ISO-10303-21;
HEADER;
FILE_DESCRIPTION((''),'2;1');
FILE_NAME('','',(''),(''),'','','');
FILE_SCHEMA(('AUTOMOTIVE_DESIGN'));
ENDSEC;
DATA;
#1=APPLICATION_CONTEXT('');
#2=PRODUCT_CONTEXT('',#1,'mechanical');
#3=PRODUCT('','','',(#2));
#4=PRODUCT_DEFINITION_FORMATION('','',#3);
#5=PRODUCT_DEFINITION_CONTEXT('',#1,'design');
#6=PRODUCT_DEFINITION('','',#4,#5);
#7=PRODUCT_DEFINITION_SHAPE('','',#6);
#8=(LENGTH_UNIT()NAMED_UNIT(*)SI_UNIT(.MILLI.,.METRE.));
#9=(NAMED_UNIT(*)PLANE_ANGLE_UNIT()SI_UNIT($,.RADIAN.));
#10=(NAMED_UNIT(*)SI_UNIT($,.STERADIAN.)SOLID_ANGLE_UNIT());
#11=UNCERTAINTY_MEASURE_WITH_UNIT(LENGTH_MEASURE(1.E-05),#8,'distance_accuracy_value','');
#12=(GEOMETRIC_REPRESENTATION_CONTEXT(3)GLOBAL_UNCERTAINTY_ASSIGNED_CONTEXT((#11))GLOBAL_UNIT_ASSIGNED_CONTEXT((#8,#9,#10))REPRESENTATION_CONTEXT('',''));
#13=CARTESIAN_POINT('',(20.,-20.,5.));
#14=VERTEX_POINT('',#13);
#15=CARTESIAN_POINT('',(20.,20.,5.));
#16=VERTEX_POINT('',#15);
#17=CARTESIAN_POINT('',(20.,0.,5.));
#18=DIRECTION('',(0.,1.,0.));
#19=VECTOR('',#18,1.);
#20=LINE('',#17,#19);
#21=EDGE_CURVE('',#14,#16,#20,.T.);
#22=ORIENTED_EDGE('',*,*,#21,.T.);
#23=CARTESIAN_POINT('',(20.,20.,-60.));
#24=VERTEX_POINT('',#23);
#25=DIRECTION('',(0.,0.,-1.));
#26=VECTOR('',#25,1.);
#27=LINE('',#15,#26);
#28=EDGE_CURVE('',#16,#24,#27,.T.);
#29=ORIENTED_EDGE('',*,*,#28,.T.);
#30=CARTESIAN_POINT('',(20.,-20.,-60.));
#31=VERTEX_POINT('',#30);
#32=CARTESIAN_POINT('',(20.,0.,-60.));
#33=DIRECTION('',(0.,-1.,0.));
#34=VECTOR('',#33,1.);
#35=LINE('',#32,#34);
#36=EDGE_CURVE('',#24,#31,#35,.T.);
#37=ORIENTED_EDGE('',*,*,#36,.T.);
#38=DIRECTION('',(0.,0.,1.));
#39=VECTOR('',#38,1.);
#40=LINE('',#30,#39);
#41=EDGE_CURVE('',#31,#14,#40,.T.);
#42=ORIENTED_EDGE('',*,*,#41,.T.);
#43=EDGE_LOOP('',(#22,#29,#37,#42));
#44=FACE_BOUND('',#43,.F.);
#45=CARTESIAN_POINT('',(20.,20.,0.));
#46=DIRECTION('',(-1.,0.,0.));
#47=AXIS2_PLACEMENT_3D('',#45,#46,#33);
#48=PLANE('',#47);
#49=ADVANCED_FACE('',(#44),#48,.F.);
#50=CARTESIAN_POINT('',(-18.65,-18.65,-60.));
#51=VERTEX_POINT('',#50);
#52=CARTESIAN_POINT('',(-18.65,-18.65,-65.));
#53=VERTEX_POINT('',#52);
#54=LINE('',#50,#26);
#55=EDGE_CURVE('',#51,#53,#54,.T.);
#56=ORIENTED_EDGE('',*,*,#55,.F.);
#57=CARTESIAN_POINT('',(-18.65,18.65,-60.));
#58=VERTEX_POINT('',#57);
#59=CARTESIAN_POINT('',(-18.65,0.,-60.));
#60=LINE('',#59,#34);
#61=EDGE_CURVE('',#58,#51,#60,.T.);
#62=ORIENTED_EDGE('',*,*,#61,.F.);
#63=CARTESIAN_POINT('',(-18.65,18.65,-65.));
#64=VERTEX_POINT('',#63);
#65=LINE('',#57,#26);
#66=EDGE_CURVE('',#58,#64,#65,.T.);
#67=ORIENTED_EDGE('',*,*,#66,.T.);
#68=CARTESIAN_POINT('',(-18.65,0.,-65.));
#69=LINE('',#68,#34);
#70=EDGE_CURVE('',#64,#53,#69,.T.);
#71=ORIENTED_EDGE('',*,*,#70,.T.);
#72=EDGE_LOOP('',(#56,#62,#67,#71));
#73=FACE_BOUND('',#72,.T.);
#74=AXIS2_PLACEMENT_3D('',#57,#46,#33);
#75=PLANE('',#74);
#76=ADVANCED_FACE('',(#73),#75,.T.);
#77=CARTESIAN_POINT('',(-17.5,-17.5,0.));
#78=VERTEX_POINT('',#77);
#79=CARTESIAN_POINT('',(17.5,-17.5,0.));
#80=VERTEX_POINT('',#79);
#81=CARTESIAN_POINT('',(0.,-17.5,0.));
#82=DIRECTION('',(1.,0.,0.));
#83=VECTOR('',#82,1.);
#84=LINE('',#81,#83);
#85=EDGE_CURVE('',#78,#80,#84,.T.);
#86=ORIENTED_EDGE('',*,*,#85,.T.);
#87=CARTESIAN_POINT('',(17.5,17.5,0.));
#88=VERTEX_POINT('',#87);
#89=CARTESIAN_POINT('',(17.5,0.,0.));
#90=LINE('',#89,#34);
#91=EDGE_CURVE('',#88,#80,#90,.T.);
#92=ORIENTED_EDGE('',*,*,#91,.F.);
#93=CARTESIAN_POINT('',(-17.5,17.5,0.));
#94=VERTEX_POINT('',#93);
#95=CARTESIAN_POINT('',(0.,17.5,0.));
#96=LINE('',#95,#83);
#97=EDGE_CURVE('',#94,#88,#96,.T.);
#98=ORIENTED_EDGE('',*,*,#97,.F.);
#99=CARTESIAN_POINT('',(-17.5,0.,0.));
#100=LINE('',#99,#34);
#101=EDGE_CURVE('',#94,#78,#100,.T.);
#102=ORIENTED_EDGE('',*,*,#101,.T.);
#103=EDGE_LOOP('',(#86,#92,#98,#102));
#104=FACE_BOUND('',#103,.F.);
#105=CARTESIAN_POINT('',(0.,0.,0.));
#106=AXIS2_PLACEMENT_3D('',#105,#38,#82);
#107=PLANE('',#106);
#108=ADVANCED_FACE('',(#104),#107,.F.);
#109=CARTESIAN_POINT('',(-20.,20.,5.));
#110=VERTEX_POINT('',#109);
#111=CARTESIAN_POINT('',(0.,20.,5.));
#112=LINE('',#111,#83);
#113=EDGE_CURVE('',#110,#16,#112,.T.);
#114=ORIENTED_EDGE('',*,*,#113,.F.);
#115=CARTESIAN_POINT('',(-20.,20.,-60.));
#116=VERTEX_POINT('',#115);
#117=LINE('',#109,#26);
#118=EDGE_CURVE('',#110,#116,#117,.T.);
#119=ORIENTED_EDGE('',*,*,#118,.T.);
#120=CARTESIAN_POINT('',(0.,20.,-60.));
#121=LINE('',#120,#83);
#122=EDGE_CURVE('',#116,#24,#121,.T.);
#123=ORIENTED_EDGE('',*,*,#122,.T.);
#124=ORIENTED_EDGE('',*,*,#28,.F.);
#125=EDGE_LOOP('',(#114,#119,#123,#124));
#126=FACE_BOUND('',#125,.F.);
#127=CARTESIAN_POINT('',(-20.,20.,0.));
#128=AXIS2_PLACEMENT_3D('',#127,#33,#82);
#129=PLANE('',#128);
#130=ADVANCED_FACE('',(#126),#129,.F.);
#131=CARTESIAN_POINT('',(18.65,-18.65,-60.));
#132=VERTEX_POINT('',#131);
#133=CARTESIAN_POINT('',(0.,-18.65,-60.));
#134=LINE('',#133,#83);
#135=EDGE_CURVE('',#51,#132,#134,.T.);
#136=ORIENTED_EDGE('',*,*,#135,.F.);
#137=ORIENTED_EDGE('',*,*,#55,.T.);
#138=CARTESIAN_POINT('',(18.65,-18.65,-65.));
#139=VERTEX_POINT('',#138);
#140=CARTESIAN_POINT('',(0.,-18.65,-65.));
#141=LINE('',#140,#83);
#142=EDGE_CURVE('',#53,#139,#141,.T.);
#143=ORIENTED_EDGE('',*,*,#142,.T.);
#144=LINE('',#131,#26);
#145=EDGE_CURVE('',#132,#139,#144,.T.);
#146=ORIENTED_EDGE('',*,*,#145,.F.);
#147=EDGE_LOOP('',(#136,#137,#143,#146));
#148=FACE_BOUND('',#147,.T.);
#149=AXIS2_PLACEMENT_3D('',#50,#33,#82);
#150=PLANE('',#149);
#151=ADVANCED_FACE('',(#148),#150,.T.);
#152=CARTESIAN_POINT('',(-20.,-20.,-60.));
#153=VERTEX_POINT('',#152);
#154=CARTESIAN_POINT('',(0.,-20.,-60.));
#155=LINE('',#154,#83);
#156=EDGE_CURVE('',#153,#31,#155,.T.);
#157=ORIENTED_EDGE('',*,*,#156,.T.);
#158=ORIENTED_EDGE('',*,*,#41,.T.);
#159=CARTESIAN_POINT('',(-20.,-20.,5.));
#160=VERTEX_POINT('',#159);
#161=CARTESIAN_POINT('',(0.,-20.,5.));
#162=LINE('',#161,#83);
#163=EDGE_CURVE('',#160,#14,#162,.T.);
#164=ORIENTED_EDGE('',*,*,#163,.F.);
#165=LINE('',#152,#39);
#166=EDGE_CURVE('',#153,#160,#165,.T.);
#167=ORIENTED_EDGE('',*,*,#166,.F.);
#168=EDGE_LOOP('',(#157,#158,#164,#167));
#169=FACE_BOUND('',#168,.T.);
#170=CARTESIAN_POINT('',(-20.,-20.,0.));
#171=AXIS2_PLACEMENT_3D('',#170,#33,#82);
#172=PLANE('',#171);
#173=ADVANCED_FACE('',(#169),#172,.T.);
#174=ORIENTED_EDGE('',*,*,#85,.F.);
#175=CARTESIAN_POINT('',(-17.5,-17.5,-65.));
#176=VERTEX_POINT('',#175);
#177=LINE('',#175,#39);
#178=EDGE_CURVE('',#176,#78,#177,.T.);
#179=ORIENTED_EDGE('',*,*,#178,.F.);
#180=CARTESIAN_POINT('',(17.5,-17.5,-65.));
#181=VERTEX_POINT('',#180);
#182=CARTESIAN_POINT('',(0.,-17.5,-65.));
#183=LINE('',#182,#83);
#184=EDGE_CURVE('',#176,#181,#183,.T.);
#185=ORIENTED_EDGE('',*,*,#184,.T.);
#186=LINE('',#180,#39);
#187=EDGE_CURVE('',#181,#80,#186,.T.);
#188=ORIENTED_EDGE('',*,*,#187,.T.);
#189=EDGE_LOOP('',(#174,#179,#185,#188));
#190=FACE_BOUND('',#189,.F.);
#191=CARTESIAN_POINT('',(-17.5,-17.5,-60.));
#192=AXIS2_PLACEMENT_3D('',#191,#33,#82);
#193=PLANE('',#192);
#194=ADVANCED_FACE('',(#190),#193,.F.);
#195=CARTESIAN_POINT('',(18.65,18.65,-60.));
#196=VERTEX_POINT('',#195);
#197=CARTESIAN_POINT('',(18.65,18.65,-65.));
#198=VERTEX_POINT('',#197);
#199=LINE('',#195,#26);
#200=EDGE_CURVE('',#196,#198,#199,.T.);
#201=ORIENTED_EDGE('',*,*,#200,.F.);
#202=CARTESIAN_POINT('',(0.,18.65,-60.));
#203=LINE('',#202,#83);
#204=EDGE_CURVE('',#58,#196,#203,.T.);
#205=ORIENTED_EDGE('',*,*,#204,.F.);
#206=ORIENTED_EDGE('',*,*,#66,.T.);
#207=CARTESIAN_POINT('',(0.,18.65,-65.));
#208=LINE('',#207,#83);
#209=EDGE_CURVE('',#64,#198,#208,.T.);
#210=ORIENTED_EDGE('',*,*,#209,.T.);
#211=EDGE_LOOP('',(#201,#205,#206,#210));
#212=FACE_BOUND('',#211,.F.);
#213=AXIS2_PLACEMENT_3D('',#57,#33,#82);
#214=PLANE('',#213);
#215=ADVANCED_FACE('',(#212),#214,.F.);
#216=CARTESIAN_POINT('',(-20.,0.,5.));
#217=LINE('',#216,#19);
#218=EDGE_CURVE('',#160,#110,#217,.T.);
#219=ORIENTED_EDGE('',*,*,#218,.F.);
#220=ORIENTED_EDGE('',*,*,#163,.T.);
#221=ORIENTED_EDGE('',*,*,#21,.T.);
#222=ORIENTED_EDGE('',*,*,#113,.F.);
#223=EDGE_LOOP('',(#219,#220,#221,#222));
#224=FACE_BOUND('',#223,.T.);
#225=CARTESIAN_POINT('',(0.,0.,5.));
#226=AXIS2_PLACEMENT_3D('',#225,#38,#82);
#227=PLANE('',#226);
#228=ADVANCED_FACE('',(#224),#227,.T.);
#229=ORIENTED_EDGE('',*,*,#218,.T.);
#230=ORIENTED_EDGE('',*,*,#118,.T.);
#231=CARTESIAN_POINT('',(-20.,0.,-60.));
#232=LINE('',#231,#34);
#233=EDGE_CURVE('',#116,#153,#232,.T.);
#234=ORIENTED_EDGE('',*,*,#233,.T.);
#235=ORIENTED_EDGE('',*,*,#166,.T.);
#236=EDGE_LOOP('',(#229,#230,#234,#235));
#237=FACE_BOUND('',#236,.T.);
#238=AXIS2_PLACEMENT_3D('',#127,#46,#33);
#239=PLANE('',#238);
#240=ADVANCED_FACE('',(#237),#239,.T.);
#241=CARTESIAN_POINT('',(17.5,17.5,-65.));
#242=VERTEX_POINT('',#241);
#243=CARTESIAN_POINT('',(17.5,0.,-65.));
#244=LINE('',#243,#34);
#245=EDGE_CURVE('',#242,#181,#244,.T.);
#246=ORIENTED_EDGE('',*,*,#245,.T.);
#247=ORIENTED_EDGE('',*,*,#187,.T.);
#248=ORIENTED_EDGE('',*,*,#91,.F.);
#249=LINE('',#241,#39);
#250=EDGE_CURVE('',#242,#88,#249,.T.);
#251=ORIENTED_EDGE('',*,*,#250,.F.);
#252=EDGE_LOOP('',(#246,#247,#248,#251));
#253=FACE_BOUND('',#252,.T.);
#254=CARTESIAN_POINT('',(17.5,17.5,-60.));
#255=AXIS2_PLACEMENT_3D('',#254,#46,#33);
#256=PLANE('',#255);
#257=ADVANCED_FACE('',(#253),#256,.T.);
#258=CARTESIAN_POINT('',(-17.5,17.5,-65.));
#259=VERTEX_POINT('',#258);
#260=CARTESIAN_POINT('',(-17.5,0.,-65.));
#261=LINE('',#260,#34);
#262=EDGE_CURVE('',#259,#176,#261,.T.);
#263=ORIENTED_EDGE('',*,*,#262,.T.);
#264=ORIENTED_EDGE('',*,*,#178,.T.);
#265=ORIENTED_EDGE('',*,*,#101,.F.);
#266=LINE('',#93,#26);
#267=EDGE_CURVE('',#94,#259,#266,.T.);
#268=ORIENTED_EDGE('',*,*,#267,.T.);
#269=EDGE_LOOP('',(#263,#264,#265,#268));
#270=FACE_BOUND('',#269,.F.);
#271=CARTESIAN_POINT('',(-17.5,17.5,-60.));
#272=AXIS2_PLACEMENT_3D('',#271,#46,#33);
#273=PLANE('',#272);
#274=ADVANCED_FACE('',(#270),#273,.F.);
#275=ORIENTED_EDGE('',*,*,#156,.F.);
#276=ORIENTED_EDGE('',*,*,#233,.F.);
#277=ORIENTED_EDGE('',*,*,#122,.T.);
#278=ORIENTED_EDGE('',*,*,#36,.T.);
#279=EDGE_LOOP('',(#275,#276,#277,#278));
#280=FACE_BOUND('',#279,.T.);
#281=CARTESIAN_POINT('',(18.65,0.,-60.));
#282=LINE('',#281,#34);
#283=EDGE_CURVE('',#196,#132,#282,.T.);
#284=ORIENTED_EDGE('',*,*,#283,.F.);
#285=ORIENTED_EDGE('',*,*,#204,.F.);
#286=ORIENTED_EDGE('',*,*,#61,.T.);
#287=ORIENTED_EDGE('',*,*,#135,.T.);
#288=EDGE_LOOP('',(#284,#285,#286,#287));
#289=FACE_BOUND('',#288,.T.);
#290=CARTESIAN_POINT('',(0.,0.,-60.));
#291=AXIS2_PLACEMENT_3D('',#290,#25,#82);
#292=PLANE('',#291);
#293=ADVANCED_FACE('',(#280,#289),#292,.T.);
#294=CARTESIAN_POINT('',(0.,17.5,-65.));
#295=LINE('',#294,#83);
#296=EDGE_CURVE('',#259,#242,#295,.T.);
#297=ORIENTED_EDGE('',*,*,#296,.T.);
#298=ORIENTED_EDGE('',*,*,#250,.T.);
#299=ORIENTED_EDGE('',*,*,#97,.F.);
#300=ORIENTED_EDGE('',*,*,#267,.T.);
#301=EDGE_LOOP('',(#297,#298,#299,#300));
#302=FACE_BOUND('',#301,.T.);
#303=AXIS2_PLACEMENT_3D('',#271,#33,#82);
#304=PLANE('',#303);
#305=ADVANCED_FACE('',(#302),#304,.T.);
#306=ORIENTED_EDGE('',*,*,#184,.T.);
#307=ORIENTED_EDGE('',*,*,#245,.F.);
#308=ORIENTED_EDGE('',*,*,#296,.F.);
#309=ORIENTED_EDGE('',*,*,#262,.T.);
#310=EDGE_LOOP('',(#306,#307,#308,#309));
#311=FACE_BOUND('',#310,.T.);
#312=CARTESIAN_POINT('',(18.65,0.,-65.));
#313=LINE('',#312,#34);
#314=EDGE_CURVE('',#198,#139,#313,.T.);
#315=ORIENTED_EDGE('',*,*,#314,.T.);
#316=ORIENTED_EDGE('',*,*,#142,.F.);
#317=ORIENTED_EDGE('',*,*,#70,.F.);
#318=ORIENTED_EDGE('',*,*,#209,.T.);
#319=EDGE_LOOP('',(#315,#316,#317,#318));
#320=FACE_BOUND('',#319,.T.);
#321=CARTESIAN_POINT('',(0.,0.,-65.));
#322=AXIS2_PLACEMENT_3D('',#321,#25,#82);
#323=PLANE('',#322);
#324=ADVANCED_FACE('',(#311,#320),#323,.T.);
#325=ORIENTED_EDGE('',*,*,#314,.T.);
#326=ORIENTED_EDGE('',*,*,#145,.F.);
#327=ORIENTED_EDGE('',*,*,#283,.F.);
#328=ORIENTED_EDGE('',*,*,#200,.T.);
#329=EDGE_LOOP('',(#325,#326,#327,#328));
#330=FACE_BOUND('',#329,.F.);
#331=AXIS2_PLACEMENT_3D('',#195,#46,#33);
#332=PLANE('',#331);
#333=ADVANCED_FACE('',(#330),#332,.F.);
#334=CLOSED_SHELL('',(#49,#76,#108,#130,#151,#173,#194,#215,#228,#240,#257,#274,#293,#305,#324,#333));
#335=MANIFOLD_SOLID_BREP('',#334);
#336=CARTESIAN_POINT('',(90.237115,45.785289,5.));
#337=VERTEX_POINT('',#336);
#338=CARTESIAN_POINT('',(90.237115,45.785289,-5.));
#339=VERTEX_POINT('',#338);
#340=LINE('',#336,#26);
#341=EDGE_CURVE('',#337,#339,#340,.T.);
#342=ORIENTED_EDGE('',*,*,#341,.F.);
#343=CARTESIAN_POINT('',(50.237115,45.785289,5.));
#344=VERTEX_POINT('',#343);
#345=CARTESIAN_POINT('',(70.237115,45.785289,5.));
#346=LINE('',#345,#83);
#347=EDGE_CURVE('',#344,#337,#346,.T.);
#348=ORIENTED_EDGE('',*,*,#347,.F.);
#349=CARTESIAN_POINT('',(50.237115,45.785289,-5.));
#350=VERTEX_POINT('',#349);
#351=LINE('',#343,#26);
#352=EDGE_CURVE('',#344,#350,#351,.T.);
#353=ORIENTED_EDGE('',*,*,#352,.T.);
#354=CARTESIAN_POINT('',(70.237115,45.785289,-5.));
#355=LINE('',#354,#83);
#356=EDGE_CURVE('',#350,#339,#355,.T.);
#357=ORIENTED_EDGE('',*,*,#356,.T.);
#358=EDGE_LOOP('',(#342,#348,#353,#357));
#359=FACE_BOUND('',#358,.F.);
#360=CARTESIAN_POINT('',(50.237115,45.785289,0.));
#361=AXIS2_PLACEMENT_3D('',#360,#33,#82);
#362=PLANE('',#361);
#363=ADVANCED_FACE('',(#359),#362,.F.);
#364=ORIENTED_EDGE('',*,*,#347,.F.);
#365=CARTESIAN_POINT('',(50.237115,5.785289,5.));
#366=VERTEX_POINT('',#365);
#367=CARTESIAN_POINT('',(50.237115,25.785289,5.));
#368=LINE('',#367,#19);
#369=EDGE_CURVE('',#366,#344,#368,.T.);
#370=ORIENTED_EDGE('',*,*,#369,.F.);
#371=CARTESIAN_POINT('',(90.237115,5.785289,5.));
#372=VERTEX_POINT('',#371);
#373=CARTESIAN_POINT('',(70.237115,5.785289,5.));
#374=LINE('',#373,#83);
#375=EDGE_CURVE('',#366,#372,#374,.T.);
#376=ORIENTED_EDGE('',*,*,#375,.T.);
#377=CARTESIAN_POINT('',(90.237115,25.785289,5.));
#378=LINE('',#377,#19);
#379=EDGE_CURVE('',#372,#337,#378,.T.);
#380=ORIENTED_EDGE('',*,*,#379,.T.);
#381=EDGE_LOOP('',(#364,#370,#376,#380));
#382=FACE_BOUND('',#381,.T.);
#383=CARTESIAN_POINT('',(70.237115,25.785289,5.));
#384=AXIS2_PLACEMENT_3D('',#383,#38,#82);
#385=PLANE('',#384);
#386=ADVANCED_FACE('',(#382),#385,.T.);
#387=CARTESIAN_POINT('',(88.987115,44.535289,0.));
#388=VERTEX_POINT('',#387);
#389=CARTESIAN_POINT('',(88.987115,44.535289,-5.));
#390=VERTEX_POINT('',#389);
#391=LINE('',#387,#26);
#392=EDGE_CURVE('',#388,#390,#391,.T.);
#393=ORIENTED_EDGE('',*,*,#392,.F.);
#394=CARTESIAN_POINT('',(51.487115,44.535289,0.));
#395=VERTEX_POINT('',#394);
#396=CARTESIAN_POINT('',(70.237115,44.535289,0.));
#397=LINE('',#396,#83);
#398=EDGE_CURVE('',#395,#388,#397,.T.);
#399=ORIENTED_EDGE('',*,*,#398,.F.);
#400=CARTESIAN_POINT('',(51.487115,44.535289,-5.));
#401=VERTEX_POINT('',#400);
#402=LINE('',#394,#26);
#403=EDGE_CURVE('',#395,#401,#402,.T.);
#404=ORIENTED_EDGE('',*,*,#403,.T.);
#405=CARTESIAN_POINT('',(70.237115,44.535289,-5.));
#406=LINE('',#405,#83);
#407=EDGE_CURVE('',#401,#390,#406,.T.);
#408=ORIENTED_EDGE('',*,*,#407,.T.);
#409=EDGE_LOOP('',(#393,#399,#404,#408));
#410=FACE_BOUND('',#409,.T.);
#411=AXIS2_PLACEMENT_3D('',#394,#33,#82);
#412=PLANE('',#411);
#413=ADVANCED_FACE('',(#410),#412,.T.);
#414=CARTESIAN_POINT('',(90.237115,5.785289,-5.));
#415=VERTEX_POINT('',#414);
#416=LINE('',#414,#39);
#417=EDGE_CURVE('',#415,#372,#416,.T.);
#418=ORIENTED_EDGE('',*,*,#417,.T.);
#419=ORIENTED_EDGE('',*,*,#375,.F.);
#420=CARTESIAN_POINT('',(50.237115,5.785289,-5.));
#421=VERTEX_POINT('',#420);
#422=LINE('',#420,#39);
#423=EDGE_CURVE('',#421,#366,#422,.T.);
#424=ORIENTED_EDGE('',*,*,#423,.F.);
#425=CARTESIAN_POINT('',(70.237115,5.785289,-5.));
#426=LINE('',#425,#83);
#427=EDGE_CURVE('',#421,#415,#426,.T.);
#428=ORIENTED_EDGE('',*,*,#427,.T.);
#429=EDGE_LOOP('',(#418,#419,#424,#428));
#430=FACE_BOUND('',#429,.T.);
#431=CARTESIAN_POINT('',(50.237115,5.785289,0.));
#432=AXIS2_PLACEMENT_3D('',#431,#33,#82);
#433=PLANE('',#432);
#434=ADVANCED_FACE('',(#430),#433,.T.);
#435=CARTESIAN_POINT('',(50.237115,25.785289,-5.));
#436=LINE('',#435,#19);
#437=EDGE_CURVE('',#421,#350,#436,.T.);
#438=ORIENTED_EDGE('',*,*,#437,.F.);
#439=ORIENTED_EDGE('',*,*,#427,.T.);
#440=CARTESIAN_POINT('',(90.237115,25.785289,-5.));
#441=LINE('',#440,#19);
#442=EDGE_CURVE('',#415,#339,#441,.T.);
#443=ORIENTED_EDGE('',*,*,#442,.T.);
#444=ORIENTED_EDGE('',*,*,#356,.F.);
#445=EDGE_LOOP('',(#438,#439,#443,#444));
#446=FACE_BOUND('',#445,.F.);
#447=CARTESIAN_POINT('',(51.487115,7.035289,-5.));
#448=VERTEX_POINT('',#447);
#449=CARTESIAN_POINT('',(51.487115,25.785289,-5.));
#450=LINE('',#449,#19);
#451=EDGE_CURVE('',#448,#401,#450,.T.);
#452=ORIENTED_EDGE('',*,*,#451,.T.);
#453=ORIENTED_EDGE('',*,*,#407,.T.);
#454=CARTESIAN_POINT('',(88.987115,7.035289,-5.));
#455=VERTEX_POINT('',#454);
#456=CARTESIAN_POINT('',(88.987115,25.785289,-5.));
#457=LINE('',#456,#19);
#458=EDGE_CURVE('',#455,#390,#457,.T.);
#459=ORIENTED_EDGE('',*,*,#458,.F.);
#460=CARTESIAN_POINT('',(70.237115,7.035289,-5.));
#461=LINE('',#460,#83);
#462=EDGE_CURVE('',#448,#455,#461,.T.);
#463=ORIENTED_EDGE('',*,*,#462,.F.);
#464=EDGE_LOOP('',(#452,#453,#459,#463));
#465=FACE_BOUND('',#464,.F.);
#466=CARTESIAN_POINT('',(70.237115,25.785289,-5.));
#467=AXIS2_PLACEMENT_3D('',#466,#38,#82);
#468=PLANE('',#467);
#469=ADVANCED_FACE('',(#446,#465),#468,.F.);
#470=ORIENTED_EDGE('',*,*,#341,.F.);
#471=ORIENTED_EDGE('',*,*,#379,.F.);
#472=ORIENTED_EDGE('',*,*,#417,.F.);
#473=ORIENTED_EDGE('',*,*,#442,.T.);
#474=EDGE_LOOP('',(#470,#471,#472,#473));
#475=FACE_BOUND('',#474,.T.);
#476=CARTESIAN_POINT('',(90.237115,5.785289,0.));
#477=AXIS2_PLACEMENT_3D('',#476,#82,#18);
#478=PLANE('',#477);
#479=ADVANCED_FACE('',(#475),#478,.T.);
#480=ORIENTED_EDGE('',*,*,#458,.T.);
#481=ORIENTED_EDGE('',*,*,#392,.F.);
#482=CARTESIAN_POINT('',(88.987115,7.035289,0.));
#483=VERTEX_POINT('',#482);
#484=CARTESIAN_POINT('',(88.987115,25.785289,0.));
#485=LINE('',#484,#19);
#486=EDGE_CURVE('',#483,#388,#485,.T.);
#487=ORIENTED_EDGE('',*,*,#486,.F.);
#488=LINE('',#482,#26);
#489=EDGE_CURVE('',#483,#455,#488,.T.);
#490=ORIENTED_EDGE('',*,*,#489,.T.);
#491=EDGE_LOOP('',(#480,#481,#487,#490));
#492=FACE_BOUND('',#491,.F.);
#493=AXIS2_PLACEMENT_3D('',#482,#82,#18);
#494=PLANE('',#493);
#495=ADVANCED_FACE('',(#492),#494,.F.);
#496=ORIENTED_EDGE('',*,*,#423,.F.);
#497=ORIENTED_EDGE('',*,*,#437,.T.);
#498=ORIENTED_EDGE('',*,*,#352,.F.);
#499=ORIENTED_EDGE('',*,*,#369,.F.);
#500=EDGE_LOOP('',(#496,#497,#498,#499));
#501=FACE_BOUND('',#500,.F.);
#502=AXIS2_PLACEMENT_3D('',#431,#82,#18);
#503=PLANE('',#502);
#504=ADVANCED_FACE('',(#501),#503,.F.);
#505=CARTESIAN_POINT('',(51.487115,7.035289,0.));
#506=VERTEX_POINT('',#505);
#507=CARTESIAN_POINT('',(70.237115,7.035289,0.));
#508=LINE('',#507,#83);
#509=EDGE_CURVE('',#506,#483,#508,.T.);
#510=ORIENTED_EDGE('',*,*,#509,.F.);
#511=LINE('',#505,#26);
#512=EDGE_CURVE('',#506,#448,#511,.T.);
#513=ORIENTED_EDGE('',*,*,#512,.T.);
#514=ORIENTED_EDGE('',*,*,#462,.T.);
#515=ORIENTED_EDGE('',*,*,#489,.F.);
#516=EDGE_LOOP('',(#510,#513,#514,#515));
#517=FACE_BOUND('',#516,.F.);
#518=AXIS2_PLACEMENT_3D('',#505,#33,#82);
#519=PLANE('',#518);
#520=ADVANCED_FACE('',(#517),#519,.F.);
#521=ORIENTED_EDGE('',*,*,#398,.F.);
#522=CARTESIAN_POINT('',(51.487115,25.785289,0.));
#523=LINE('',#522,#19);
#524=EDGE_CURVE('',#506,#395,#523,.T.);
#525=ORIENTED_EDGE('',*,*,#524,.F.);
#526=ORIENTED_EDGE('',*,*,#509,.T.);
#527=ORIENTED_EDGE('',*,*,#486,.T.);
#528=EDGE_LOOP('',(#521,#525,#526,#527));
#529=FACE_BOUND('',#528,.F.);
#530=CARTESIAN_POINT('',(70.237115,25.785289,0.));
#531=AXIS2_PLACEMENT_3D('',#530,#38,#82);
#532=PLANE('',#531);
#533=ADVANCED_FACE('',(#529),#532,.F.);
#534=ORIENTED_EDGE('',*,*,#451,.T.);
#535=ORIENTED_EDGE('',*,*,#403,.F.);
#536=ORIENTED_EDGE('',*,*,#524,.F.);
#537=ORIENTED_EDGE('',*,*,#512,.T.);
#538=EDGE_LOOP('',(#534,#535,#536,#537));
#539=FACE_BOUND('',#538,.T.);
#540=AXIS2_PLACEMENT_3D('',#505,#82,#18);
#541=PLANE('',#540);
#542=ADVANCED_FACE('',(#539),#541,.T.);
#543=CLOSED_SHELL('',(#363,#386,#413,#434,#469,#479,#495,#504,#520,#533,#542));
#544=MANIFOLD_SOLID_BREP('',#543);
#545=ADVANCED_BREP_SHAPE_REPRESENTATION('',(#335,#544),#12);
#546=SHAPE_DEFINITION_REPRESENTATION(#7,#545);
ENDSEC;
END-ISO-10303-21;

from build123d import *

# Parameters (mm, degrees)
F0_W     = 40
F0_H     = 40
F1_DEPTH = 5
F2_W     = 40
F2_H     = 40
F2_W_2   = 35
F2_H_2   = 35
F3_DEPTH = 60
F4_W     = 37.3
F4_H     = 37.3
F4_W_2   = 35
F4_H_2   = 35
F5_DEPTH = 5
F6_W     = 40
F6_H     = 40
F6_W_2   = 37.5
F6_H_2   = 37.5
F7_DEPTH = 5
F8_DEPTH = 5


with BuildPart() as f1:
    # F0 (on Top) → F1 (new body)
    with BuildSketch(Plane.XY):
        Rectangle(F0_W, F0_H)
    extrude(amount=F1_DEPTH)

    # F2 (on face) → F3 (join)
    with BuildSketch(Plane(origin=(0, 0, 0), x_dir=(1, 0, 0), z_dir=(0, 0, -1))):
        Rectangle(F2_W, F2_H)
        Rectangle(F2_W_2, F2_H_2, mode=Mode.SUBTRACT)
    extrude(amount=F3_DEPTH)

    # F4 (on face) → F5 (join)
    with BuildSketch(Plane(origin=(0, 0, -60), x_dir=(1, 0, 0), z_dir=(0, 0, -1))):
        Rectangle(F4_W, F4_H)
        Rectangle(F4_W_2, F4_H_2, mode=Mode.SUBTRACT)
    extrude(amount=F5_DEPTH)


with BuildPart() as f7:
    # F6 (on Top) → F7 (new body)
    with BuildSketch(Plane.XY):
        with Locations((70.2371150255, 25.7852885835)):
            Rectangle(F6_W, F6_H)
        with Locations((70.2371150255, 25.7852885835)):
            Rectangle(F6_W_2, F6_H_2, mode=Mode.SUBTRACT)
        with Locations((70.2371150255, 25.7852885835)):
            Rectangle(F6_W_2, F6_H_2)
    extrude(amount=F7_DEPTH)

    # F6 (on Top) → F8 (join)
    with BuildSketch(Plane.XY):
        with Locations((70.2371150255, 25.7852885835)):
            Rectangle(F6_W, F6_H)
        with Locations((70.2371150255, 25.7852885835)):
            Rectangle(F6_W_2, F6_H_2, mode=Mode.SUBTRACT)
    extrude(amount=-F8_DEPTH)


solid = Compound([f1.part, f7.part])
